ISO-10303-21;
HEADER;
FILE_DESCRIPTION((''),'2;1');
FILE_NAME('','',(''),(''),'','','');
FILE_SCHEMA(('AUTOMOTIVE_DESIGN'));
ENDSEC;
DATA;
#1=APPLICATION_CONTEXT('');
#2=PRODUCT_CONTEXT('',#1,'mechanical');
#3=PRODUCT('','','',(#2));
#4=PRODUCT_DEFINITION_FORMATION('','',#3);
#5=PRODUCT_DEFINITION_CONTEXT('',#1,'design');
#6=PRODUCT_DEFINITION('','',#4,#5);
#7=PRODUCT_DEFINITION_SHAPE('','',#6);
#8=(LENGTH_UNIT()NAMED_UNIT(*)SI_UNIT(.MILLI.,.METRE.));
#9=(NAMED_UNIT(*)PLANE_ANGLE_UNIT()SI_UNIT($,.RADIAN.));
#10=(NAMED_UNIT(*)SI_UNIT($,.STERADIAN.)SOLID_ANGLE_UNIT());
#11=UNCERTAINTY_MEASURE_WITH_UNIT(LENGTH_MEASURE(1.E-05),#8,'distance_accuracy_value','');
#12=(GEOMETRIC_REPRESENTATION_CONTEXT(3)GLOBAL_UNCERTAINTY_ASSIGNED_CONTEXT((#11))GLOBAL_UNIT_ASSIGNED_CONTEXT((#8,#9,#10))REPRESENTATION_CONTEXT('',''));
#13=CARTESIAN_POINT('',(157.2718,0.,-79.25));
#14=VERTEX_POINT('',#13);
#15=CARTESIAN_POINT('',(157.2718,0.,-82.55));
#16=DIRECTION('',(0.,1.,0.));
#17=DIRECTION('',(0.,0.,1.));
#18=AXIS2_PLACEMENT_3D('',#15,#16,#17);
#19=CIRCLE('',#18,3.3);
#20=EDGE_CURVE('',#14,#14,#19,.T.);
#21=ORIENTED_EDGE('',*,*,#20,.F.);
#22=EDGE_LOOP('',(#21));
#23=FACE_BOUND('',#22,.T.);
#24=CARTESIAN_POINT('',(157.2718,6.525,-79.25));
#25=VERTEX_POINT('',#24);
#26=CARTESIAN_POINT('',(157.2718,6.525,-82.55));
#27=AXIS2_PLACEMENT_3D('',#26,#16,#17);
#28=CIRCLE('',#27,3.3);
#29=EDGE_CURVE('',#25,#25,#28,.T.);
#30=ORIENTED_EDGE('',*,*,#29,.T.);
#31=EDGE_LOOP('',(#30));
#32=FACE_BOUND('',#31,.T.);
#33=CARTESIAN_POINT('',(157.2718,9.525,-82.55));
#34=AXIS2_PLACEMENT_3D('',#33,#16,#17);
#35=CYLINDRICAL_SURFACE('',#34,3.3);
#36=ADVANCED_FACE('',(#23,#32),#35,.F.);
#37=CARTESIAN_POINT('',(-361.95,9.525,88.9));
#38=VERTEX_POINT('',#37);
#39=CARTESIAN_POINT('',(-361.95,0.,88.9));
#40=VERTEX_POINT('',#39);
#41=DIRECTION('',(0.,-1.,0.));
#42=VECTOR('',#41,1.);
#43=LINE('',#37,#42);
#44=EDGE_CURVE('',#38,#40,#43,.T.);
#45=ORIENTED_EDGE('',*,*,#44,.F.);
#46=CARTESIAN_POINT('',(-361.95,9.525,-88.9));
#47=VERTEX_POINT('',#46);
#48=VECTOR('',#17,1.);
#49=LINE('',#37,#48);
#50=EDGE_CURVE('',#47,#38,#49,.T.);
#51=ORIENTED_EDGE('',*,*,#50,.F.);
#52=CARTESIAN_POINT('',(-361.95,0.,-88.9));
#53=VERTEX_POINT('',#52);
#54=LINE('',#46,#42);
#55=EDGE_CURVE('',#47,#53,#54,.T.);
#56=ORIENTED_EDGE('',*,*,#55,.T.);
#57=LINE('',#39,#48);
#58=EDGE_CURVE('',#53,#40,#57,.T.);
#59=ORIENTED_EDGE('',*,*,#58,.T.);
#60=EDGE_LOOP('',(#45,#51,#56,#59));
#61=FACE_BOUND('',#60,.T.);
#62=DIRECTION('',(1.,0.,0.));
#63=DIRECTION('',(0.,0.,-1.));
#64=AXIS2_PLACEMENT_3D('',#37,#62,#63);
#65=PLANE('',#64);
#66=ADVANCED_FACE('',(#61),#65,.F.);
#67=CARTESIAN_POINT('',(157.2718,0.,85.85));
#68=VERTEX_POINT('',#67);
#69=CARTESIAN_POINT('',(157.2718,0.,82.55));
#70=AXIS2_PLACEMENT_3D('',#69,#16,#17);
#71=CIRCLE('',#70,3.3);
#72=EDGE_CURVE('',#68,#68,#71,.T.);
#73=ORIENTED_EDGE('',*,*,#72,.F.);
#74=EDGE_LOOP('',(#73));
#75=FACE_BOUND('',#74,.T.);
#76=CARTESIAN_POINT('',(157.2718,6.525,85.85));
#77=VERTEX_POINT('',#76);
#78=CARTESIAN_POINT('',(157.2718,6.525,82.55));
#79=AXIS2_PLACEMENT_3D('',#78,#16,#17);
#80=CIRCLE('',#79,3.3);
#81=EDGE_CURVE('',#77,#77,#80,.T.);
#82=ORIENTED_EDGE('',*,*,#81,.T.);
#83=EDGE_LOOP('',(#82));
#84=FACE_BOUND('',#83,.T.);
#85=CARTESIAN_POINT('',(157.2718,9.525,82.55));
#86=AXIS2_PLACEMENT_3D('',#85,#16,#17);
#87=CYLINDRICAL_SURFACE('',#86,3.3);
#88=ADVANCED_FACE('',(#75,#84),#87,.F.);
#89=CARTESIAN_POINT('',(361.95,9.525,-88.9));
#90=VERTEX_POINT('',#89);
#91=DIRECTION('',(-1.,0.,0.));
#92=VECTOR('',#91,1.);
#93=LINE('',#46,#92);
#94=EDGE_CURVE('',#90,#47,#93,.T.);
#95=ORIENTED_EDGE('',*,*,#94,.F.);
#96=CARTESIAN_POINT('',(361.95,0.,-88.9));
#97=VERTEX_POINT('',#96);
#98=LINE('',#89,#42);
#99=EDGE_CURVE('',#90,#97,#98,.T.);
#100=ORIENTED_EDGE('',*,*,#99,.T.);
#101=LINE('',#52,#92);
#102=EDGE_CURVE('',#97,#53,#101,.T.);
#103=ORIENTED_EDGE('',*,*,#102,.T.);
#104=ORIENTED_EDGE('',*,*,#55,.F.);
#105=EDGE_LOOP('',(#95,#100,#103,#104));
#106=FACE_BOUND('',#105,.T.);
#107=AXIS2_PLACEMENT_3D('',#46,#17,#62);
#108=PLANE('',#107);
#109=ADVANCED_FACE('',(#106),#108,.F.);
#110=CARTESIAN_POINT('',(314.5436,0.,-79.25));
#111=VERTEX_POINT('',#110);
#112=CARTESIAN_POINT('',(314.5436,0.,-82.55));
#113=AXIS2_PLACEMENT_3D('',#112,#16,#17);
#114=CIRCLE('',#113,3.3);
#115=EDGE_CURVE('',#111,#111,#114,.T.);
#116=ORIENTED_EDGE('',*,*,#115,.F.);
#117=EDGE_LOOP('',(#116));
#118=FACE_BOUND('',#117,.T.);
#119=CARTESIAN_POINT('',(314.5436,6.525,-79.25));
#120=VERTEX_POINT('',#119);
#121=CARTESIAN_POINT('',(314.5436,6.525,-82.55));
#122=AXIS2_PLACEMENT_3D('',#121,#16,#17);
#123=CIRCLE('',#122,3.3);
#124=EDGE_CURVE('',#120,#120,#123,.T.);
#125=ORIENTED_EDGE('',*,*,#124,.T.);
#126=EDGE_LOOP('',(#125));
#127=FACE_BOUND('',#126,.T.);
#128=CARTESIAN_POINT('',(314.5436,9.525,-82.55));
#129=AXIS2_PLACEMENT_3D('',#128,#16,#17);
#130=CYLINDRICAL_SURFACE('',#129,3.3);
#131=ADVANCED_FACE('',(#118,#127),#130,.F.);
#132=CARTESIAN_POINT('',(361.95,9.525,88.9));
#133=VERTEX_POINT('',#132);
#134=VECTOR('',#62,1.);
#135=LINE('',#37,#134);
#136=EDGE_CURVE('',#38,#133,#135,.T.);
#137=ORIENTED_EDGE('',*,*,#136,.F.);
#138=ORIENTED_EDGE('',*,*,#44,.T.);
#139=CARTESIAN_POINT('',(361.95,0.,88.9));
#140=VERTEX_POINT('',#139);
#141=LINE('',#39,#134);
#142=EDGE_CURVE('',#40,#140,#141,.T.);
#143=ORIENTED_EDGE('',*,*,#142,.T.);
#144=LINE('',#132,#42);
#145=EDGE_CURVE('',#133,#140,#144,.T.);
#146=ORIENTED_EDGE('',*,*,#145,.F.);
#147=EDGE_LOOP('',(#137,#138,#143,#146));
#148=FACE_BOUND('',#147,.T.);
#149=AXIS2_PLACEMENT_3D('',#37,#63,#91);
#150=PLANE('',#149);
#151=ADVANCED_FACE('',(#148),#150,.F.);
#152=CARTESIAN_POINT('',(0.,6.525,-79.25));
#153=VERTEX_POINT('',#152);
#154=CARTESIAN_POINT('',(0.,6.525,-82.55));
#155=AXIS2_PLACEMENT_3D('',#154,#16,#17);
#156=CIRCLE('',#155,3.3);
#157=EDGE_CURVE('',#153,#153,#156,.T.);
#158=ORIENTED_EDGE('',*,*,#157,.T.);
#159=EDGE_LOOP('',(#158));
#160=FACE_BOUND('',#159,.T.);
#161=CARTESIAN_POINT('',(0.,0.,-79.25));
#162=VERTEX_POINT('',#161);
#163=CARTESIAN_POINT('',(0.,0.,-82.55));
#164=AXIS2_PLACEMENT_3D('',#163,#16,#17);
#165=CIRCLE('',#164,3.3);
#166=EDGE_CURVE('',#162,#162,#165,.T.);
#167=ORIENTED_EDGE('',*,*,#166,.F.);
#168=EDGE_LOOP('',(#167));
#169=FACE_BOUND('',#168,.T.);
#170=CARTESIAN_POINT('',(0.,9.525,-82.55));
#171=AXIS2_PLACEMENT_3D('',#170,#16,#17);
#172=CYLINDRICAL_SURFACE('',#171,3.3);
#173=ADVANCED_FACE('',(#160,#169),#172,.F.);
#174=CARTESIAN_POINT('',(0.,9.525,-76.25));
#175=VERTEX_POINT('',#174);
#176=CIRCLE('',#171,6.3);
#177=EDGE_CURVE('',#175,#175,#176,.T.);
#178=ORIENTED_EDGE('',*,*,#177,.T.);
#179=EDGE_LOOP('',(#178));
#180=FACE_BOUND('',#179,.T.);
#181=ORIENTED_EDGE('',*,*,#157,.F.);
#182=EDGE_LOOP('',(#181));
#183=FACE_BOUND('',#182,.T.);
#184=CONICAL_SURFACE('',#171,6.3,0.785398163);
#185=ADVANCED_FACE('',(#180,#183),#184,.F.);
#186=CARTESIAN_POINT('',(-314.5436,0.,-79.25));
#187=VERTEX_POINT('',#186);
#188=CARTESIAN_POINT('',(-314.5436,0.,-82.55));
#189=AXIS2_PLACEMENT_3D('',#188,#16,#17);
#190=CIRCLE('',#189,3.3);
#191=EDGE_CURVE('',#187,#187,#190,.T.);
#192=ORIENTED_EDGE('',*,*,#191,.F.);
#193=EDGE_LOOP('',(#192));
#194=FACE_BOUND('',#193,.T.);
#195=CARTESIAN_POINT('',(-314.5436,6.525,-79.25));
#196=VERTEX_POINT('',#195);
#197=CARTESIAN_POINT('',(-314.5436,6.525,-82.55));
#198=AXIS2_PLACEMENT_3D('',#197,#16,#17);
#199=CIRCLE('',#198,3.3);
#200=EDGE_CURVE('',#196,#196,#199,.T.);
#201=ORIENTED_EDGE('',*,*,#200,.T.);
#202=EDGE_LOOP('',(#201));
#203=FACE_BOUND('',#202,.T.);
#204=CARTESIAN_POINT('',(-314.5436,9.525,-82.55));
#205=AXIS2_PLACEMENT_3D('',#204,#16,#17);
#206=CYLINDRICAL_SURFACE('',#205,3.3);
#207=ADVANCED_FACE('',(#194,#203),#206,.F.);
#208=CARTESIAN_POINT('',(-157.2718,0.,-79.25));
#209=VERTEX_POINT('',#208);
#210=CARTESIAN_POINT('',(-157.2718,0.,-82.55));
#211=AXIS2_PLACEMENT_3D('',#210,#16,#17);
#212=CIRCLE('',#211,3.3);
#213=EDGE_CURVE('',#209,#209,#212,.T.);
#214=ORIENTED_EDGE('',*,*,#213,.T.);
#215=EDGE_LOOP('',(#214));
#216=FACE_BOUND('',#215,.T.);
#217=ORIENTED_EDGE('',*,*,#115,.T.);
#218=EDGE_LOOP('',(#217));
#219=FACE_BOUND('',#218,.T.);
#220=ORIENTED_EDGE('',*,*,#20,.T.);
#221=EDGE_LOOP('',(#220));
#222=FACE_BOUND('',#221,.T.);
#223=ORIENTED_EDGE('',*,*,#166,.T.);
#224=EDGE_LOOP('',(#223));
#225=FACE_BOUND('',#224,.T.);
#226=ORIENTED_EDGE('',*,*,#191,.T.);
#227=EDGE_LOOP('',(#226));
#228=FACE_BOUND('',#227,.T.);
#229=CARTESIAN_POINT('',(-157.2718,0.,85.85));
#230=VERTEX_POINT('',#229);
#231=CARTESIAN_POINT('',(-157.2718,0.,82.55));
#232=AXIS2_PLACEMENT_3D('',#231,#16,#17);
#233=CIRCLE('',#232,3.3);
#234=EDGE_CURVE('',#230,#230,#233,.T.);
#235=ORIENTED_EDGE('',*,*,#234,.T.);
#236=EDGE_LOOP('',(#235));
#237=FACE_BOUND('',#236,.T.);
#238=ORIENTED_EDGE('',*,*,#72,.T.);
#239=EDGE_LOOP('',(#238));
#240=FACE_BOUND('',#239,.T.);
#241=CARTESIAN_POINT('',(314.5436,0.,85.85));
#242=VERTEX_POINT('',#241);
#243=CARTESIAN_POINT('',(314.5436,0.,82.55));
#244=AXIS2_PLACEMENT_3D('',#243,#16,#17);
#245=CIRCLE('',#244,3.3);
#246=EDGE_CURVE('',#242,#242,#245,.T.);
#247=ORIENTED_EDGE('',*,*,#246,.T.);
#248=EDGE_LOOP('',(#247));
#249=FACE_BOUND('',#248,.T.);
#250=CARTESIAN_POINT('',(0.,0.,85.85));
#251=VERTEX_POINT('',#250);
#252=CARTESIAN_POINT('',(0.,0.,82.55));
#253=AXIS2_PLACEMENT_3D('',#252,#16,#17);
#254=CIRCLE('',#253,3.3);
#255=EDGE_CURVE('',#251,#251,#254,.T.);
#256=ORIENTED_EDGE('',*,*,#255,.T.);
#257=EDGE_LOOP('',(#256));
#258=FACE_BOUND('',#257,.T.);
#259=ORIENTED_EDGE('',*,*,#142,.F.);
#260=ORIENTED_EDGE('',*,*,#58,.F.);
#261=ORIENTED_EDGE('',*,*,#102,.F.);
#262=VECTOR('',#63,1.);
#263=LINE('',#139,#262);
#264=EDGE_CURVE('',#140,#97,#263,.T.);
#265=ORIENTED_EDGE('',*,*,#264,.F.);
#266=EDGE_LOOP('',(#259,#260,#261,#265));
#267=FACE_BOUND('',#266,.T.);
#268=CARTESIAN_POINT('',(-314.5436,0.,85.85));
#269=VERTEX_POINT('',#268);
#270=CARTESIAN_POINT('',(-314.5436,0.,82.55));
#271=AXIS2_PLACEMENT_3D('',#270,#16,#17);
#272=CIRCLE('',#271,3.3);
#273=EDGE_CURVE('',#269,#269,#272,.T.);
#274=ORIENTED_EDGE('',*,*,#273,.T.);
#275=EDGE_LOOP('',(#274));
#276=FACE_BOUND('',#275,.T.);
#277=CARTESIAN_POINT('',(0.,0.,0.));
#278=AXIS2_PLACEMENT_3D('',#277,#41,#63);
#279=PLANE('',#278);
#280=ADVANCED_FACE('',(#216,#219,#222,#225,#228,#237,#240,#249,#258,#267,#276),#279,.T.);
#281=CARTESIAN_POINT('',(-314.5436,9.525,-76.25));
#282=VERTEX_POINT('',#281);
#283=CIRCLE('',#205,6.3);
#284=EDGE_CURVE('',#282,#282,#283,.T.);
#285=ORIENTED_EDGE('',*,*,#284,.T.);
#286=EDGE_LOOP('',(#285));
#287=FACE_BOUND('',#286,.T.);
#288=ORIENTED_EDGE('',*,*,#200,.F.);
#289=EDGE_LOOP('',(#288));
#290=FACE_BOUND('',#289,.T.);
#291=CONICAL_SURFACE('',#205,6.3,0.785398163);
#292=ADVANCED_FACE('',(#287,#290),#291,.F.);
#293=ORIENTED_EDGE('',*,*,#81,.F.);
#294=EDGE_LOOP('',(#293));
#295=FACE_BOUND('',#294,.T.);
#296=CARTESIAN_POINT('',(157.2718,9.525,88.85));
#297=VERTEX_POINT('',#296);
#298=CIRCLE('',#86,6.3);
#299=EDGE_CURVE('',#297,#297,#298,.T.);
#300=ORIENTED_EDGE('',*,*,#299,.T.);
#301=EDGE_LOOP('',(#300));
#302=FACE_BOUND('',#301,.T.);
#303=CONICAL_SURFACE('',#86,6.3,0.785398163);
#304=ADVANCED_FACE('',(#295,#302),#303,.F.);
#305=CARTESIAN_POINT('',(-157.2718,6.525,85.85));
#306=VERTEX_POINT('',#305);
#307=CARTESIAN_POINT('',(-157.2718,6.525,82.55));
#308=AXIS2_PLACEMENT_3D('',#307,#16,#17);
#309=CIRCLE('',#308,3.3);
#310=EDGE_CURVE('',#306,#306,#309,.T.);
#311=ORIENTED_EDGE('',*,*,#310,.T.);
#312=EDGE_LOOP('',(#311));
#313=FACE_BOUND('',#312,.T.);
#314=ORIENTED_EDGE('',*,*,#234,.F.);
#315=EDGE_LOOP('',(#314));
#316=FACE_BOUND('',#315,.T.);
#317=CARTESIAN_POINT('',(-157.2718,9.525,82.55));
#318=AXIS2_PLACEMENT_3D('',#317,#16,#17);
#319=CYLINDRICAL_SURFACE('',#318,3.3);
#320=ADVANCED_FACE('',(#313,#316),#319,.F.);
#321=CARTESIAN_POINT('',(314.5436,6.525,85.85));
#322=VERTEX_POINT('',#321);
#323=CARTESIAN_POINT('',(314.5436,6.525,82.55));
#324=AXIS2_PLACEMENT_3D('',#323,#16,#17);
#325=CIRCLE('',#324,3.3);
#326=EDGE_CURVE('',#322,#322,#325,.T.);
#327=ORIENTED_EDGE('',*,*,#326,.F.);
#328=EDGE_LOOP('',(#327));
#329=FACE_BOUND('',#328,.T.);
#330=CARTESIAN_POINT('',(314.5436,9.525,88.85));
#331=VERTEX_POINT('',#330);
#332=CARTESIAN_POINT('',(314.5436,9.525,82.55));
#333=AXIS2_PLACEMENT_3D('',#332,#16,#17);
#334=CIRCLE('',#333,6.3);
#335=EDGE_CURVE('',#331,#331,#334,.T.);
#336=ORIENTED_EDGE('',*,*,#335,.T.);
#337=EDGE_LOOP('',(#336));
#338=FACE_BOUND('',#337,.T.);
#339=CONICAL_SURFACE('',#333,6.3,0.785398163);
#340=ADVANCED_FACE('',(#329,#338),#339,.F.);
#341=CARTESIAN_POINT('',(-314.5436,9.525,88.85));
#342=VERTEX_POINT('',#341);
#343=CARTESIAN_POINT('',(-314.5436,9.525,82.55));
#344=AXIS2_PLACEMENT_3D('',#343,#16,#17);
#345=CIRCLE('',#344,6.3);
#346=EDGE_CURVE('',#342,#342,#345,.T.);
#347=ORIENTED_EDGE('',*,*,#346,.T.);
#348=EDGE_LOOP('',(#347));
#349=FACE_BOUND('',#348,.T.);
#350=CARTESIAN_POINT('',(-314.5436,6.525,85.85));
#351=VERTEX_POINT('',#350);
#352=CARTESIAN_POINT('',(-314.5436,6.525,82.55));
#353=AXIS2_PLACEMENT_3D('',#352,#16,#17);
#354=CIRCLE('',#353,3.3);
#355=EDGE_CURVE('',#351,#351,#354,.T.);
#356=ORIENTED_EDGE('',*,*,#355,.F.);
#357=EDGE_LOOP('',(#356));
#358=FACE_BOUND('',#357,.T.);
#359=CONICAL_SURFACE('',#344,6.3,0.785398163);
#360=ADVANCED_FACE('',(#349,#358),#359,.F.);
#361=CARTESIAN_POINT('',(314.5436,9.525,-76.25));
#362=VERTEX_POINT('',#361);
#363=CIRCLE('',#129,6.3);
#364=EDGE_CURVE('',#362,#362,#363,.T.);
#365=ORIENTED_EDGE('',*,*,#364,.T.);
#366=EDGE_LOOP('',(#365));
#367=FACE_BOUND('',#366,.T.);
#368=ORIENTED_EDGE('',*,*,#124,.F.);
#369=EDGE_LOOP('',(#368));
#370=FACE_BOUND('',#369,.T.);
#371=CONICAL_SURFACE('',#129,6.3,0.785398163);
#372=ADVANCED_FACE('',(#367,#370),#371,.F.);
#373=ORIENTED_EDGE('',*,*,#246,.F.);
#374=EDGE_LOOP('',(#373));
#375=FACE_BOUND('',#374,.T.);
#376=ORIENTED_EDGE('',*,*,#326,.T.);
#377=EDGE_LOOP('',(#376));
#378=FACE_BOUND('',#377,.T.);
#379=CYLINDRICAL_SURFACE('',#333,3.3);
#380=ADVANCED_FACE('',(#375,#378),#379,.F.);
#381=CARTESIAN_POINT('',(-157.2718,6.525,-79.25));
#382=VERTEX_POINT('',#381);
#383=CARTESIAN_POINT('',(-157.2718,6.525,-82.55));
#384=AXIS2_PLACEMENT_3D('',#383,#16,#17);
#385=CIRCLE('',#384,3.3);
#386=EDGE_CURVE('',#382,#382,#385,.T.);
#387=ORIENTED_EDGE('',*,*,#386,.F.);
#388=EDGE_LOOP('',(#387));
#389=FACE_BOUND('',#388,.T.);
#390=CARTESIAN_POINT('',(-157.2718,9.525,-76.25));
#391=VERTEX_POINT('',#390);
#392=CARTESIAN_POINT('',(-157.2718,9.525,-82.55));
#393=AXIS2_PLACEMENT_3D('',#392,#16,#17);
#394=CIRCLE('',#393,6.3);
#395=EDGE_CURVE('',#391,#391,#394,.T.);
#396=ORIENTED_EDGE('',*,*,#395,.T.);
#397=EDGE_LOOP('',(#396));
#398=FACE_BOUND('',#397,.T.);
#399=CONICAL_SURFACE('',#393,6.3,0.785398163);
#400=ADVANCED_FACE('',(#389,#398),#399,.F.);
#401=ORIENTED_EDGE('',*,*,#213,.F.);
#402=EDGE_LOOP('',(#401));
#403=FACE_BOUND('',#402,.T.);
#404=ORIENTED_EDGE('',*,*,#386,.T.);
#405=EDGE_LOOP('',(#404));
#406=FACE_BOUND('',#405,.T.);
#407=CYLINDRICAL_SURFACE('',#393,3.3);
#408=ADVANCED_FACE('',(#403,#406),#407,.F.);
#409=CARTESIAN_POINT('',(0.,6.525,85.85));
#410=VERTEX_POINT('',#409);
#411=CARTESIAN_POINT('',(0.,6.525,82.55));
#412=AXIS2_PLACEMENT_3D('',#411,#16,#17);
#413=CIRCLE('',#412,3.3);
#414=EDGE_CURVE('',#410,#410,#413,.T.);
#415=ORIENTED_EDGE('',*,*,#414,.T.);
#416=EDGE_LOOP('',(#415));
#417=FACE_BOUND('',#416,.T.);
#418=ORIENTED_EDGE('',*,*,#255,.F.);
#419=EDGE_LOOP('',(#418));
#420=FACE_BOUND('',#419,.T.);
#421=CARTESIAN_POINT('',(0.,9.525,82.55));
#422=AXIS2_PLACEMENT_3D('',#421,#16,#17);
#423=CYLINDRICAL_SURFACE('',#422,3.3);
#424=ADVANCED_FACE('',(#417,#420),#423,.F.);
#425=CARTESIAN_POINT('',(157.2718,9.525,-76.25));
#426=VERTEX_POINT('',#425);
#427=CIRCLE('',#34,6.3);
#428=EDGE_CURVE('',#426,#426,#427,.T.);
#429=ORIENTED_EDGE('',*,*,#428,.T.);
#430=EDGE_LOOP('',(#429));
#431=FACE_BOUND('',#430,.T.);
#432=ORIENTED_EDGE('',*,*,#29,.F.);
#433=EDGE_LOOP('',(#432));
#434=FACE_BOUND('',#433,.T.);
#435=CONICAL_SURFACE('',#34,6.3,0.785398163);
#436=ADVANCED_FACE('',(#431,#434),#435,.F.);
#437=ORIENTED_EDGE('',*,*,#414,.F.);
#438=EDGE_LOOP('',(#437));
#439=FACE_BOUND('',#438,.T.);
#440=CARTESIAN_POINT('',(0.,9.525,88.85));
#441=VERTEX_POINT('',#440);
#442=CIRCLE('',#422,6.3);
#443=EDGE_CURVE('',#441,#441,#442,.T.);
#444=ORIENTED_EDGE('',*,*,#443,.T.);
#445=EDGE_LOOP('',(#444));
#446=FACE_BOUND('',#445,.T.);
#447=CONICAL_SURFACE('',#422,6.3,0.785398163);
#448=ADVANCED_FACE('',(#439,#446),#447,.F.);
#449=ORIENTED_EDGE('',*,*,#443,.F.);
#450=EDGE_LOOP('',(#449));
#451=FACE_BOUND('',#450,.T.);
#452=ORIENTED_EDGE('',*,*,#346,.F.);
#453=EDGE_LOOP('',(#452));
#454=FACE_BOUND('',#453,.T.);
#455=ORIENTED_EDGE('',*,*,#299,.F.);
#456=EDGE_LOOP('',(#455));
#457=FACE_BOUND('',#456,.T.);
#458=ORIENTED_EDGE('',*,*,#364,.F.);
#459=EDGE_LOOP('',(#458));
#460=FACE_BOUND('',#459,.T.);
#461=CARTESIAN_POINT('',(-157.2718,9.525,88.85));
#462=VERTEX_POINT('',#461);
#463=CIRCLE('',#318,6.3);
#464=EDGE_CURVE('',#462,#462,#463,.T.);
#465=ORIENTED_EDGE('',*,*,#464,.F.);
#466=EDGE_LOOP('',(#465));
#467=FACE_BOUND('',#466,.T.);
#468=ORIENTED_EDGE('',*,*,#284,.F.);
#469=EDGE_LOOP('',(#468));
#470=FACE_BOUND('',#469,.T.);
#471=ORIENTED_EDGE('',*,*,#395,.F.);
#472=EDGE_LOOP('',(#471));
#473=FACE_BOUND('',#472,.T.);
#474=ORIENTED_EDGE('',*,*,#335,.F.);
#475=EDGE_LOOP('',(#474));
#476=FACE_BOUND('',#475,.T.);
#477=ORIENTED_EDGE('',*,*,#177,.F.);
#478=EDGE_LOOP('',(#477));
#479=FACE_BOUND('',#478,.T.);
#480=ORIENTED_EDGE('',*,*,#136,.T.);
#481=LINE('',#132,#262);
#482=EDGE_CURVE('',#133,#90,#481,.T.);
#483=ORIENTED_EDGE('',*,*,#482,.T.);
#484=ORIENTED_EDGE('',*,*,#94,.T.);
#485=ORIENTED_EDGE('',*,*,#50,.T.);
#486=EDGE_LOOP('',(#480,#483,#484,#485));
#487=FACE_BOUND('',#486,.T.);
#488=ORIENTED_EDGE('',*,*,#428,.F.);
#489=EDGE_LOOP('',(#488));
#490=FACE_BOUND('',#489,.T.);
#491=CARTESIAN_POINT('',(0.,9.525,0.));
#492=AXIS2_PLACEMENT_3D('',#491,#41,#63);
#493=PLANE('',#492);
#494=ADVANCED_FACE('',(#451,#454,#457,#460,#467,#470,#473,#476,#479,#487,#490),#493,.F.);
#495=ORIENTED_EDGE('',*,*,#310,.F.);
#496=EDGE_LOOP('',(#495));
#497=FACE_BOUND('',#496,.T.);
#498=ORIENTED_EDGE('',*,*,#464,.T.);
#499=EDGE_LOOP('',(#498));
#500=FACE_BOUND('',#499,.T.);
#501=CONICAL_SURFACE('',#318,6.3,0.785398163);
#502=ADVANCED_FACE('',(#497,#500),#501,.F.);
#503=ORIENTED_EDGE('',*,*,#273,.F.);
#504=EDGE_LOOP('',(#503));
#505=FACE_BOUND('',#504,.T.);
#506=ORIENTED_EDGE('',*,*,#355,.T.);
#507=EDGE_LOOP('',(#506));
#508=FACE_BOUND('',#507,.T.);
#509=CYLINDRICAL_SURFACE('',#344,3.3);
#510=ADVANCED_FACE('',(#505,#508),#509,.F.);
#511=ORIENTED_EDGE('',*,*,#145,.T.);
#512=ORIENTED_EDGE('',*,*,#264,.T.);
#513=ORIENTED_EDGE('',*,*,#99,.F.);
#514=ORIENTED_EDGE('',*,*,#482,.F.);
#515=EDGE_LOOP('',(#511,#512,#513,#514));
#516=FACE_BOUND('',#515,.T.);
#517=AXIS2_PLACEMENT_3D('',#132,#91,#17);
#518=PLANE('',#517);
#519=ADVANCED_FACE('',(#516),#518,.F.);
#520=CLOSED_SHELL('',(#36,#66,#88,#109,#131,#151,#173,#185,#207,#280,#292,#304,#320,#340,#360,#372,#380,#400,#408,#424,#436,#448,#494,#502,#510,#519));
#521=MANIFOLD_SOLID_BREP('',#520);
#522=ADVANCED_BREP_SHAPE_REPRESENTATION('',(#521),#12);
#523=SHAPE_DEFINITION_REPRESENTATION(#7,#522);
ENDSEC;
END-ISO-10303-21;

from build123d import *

# Parameters (mm, degrees)
SKETCH1_W                                       = 723.9
SKETCH1_H                                       = 177.8
BOSS_EXTRUDE1_DEPTH                             = 9.525
CSK_FOR_M6_FLAT_HEAD_MACHINE_SCREW1_D           = 6.6
CSK_FOR_M6_FLAT_HEAD_MACHINE_SCREW1_CSINK_D     = 12.6
CSK_FOR_M6_FLAT_HEAD_MACHINE_SCREW1_CSINK_ANGLE = 90


with BuildPart() as part:
    # Sketch1 → Boss-Extrude1 (new body)
    with BuildSketch(Plane(origin=(0, 0, 0), x_dir=(1, 0, 0), z_dir=(0, 1, 0))):
        Rectangle(SKETCH1_W, SKETCH1_H)
    extrude(amount=BOSS_EXTRUDE1_DEPTH)

    # CSK for M6 Flat Head Machine Screw1 (through all)
    with Locations(Plane(origin=(0, 9.525, 0), x_dir=(1, 0, 0), z_dir=(0, 1, 0))):
        with Locations((314.5436, 82.55), (-157.2718, 82.55), (157.2718, 82.55), (-157.2718, -82.55), (157.2718, -82.55), (314.5436, -82.55), (-314.5436, 82.55), (-314.5436, -82.55), (0, -82.55), (0, 82.55)):
            CounterSinkHole(CSK_FOR_M6_FLAT_HEAD_MACHINE_SCREW1_D / 2, CSK_FOR_M6_FLAT_HEAD_MACHINE_SCREW1_CSINK_D / 2, counter_sink_angle=CSK_FOR_M6_FLAT_HEAD_MACHINE_SCREW1_CSINK_ANGLE)


solid = part.part
